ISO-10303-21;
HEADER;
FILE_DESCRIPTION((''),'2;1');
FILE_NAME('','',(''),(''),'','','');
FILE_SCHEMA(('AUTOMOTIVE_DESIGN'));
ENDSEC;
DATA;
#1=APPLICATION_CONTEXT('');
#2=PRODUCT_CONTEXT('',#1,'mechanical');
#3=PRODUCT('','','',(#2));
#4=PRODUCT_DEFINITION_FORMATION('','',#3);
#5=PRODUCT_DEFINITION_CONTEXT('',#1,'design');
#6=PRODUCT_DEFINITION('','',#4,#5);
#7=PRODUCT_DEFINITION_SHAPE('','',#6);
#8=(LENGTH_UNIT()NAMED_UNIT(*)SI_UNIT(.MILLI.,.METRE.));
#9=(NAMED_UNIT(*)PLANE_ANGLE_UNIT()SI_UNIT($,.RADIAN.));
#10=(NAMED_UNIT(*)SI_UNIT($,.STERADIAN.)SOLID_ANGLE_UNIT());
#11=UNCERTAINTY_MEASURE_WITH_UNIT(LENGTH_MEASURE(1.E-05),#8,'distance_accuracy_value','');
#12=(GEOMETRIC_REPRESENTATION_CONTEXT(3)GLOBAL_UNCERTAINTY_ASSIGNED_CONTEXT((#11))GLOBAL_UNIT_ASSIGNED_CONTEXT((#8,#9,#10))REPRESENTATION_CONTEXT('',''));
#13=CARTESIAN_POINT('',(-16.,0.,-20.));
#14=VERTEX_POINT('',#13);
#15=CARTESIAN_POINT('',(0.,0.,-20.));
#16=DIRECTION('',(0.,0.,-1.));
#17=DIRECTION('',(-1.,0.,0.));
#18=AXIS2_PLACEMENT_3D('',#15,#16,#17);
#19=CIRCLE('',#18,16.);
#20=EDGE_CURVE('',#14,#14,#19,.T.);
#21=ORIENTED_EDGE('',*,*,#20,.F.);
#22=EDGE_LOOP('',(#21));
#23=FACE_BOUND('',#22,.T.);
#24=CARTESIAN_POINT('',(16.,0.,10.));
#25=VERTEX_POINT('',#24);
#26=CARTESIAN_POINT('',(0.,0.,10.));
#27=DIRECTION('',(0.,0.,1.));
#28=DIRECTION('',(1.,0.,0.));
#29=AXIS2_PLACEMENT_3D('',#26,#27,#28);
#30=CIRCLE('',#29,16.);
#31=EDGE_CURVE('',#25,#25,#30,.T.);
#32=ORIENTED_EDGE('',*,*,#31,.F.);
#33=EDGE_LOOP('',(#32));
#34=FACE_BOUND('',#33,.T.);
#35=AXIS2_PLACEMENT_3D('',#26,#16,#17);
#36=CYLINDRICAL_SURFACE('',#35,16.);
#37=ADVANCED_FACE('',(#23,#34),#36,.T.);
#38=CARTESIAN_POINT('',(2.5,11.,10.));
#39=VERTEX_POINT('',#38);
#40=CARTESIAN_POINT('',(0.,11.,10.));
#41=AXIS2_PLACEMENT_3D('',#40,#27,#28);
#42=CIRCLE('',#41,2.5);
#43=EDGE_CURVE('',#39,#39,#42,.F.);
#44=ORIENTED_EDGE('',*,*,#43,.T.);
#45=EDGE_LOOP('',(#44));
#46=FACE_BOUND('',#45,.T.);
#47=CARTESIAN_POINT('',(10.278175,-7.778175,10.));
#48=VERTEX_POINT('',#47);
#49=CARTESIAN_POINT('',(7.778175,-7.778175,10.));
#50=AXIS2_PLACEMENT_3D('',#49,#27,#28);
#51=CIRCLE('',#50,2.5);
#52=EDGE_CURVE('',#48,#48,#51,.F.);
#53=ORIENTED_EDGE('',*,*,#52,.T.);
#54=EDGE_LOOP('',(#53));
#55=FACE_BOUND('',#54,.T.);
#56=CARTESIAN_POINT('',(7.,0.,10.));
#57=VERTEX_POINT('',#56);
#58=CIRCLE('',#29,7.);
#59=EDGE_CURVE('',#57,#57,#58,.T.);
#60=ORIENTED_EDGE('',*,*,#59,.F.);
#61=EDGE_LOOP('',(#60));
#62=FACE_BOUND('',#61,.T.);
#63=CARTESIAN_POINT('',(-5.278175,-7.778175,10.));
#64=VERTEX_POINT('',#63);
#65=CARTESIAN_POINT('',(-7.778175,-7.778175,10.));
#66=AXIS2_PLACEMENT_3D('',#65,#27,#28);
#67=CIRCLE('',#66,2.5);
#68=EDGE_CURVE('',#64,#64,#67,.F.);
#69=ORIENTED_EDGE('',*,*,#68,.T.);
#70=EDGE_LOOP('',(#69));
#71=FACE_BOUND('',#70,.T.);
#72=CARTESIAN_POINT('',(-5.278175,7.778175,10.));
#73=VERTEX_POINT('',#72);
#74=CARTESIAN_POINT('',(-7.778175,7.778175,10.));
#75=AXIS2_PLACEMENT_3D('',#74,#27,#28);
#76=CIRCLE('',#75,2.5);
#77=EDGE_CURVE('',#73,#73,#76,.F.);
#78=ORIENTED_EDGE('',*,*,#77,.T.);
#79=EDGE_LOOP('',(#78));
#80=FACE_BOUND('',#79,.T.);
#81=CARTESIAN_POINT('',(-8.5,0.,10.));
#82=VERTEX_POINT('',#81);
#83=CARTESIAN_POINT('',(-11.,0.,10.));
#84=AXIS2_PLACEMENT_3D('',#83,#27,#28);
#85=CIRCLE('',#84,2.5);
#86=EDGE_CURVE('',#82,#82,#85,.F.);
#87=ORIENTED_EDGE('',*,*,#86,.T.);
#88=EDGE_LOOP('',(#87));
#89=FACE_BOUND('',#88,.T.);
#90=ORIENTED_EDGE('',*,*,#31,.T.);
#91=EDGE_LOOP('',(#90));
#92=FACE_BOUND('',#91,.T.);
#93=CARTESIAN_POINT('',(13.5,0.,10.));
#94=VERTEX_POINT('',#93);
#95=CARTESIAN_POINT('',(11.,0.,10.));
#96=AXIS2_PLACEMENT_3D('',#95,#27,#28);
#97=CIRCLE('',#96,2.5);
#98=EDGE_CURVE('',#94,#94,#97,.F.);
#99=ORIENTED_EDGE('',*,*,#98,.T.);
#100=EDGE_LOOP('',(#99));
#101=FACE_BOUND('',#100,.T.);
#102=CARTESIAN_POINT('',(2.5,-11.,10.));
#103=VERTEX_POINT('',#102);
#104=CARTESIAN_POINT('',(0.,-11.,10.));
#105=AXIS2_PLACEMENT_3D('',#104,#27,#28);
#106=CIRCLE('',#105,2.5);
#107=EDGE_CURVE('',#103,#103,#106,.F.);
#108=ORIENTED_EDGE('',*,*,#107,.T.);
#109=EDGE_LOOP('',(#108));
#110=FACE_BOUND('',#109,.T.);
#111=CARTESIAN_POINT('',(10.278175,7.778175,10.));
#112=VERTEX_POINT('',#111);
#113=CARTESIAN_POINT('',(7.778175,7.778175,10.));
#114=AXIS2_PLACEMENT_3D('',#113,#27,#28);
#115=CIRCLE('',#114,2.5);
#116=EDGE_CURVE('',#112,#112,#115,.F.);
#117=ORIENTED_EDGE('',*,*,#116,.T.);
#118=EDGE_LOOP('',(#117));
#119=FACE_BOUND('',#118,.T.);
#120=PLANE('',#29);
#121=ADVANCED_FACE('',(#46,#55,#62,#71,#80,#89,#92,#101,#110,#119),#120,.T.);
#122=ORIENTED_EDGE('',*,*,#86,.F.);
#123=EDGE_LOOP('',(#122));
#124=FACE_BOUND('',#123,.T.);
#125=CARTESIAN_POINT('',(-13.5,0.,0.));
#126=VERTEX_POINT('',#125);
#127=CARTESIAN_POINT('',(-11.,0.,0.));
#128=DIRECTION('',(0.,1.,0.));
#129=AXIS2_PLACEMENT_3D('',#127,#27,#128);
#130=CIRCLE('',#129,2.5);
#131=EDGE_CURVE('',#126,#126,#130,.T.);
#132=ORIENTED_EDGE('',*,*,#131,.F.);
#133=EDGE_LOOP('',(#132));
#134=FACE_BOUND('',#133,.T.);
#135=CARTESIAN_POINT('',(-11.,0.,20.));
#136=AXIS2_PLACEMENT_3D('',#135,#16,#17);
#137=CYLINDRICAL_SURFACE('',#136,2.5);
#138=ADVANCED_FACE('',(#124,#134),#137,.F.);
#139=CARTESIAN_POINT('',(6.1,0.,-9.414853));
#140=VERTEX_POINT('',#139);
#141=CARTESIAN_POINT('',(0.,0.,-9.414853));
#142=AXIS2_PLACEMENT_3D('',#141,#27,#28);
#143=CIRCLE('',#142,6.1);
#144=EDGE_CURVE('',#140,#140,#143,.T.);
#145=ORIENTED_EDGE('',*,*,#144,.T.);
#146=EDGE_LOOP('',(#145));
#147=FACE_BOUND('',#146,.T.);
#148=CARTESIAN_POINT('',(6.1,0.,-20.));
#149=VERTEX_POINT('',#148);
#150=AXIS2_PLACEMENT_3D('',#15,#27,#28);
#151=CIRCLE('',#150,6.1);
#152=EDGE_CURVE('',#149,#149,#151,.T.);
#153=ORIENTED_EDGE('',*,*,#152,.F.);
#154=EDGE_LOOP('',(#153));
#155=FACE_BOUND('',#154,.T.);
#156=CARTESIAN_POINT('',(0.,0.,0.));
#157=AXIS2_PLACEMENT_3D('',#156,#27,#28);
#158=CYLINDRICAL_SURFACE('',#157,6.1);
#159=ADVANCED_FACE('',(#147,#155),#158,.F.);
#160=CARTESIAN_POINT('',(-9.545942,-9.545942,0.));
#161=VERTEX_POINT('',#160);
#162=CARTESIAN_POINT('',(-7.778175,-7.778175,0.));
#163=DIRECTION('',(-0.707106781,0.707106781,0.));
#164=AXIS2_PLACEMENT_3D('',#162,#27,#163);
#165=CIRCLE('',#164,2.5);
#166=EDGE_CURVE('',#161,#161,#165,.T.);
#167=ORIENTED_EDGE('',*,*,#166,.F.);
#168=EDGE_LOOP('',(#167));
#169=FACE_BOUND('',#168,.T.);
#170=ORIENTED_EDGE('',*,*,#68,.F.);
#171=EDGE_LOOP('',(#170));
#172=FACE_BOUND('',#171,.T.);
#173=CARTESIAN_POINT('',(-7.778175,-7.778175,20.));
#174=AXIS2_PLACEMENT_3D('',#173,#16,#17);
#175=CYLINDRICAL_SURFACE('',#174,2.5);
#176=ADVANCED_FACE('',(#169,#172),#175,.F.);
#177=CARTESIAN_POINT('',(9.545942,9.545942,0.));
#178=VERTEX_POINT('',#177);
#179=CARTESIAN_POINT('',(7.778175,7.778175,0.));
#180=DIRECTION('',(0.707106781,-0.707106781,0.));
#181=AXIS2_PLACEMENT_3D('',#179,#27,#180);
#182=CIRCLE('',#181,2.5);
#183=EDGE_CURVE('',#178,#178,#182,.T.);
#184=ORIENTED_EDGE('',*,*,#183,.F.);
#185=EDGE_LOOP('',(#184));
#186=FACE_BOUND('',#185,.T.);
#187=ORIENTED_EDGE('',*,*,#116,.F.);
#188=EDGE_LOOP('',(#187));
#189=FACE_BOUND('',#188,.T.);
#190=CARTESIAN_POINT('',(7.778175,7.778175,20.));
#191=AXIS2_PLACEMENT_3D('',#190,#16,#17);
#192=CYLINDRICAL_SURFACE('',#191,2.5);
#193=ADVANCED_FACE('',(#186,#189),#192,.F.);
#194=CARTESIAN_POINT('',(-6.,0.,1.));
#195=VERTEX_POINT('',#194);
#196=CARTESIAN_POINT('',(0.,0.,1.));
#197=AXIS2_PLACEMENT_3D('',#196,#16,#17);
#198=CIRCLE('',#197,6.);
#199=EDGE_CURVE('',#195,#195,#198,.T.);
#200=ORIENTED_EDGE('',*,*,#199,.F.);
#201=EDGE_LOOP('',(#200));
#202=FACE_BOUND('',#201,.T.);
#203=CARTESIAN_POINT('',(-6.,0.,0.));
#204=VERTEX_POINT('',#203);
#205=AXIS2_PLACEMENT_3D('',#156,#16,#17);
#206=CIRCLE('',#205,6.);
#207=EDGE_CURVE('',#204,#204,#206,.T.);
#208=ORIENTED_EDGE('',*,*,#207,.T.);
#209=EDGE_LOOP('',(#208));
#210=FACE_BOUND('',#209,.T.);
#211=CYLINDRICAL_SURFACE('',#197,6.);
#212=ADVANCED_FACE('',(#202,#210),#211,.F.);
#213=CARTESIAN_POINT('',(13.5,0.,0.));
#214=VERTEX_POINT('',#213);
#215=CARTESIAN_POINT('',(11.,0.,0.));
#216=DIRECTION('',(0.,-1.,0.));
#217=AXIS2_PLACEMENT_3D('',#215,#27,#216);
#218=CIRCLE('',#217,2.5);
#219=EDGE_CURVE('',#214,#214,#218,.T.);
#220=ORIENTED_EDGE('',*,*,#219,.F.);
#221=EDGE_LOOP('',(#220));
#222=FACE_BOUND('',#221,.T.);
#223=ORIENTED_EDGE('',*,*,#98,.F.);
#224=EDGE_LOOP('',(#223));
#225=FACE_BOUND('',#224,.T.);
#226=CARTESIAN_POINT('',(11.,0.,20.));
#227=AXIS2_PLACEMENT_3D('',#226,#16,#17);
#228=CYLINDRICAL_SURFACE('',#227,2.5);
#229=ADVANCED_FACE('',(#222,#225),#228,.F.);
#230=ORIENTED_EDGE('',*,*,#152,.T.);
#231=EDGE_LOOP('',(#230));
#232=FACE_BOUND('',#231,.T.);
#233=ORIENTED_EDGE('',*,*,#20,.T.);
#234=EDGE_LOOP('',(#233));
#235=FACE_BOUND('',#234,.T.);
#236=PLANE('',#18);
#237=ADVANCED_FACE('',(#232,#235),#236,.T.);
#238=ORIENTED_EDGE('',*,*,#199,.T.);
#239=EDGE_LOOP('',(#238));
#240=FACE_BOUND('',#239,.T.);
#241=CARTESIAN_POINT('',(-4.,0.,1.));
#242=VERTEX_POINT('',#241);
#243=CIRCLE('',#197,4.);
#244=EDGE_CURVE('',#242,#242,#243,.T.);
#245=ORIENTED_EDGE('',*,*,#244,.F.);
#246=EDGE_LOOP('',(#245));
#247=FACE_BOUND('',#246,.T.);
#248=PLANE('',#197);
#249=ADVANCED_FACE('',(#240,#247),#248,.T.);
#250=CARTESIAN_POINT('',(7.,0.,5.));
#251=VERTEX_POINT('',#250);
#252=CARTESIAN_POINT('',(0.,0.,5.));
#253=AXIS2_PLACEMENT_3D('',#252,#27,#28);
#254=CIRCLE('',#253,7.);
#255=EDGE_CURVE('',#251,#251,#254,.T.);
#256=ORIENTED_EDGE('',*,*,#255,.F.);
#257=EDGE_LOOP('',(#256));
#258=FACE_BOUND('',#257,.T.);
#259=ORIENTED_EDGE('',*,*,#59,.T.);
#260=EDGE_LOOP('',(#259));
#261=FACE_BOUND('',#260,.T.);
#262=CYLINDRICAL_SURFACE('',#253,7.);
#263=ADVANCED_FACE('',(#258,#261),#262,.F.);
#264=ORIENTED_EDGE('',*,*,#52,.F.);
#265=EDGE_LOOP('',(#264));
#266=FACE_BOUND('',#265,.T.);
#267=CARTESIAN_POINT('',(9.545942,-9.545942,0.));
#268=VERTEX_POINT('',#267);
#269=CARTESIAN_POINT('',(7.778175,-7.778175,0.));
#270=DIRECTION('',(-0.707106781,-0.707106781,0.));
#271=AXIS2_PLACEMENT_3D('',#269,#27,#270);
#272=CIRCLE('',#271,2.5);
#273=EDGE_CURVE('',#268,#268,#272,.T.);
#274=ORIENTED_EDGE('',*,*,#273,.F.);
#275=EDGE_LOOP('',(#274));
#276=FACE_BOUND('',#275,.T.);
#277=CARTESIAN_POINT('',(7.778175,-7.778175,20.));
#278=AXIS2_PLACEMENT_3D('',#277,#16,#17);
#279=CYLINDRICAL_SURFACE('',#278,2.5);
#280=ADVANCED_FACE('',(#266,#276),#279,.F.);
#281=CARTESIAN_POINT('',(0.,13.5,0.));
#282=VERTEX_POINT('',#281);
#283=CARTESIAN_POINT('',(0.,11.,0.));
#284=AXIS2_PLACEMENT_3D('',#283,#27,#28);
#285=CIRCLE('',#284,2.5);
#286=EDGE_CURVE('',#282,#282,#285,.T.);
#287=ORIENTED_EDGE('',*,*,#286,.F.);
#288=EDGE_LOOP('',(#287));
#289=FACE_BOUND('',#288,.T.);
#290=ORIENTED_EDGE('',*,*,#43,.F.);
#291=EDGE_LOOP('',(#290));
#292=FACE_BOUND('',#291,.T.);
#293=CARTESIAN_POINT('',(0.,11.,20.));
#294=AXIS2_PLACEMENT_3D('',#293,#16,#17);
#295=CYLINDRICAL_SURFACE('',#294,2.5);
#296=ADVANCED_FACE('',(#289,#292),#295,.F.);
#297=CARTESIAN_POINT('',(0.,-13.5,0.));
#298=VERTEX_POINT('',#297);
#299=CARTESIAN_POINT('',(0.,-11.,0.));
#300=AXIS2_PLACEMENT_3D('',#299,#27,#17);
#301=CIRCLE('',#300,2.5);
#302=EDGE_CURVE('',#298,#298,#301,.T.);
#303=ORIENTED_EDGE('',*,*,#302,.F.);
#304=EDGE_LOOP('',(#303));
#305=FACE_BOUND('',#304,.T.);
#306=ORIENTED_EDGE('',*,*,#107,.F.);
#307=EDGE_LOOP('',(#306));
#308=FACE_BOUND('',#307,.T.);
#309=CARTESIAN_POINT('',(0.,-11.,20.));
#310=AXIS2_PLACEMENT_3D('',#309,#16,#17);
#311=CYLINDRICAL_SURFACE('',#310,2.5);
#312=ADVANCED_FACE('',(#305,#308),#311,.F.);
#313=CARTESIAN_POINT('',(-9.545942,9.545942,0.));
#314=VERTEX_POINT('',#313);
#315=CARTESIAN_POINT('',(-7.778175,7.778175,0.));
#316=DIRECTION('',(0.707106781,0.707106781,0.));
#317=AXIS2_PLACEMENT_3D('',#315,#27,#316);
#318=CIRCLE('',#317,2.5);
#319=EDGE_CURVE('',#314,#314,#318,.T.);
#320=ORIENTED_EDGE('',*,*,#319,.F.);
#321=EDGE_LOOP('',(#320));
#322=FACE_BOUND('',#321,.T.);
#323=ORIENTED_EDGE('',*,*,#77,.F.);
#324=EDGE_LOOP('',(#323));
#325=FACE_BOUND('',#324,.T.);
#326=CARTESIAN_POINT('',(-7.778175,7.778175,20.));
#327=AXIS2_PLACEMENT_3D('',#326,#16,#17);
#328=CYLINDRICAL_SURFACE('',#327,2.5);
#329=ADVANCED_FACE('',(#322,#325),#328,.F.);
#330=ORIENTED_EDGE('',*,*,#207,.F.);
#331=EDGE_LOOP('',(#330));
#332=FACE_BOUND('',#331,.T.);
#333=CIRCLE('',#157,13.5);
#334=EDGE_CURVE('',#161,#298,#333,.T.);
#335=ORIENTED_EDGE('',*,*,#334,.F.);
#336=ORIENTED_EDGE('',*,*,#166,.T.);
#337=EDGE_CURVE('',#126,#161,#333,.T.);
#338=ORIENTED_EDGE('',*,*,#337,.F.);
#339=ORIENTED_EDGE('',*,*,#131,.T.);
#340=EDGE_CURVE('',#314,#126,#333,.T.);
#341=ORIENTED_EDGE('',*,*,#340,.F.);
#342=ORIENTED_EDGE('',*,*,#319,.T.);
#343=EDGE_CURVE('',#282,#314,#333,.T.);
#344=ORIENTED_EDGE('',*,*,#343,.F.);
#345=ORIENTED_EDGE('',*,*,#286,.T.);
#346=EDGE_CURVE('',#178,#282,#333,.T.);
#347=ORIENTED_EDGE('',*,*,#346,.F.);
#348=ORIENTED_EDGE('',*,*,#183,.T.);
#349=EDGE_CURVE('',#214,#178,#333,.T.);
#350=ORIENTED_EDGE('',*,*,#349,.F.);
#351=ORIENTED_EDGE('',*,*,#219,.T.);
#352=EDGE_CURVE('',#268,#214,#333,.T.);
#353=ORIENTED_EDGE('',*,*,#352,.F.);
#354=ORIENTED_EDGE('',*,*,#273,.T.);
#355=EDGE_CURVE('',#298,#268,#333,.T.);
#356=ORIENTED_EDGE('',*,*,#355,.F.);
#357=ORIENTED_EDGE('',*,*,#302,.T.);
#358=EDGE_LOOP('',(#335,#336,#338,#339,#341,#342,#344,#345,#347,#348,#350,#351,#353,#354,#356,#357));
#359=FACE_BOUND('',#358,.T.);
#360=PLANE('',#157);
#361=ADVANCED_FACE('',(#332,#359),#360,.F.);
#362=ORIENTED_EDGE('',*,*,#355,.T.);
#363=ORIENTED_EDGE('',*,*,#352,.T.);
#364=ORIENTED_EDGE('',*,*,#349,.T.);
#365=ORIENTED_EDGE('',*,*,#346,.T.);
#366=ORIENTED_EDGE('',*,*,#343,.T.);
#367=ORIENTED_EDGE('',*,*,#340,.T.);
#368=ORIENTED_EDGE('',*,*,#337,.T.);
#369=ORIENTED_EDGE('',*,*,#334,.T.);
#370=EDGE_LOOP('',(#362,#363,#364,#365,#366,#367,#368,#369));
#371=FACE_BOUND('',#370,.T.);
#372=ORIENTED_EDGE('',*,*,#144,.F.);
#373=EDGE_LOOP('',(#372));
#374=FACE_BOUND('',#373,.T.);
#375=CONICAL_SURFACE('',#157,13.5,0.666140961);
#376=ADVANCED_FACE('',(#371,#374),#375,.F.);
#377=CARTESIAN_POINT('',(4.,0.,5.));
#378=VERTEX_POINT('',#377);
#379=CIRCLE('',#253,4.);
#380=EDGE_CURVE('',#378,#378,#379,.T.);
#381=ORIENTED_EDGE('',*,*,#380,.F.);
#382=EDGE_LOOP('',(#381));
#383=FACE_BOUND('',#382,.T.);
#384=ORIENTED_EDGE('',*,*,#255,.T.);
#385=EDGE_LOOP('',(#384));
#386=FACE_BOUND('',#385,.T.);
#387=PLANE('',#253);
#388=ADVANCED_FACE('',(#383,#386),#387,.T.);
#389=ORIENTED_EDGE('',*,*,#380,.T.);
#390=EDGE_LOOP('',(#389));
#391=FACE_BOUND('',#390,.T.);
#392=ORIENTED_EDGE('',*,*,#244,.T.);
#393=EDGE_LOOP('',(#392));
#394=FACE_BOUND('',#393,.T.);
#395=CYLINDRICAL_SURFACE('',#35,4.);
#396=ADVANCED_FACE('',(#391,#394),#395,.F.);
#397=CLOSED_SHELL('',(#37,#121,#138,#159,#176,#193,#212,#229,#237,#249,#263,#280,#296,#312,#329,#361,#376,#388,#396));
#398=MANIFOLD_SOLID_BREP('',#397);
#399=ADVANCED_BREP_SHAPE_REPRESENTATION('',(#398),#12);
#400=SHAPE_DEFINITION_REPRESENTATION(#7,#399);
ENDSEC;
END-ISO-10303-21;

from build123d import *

# Parameters (mm, degrees)
SKETCH_1_R               = 16
SKETCH_1_R_2             = 4
EXTRUDE_1_DEPTH          = 10
SKETCH_2_R               = 2.5
CUT_EXTRUDE_1_DEPTH      = 20
PATTERN_CIRCULAR_1_COUNT = 8
SKETCH_3_R               = 7
CUT_EXTRUDE_2_DEPTH      = 5
SKETCH_4_R               = 6
CUT_EXTRUDE_3_DEPTH      = 1
EXTRUDE_START            = 20
SKETCH_5_R               = 16
SKETCH_5_R_2             = 14
EXTRUDE_2_DEPTH          = 20


with BuildPart() as part:
    # 스케치1 → 보스-돌출1 (new body)
    with BuildSketch(Plane.XY):
        Circle(SKETCH_1_R)
        Circle(SKETCH_1_R_2, mode=Mode.SUBTRACT)
    extrude(amount=EXTRUDE_1_DEPTH)

    # 스케치2 → 컷-돌출1 (cut)
    with BuildSketch(Plane.XY):
        with Locations((0, 11)):
            Circle(SKETCH_2_R)
    cut_extrude_1 = extrude(amount=CUT_EXTRUDE_1_DEPTH, mode=Mode.SUBTRACT)

    # 원형 패턴1: 컷-돌출1 ×8 about axis
    pattern_circular_1_axis = Axis((0, 0, 0), (0, 0, 1))
    for i in range(1, PATTERN_CIRCULAR_1_COUNT):
        add(cut_extrude_1.rotate(pattern_circular_1_axis, i * 360 / PATTERN_CIRCULAR_1_COUNT), mode=Mode.SUBTRACT)

    # 스케치3 → 컷-돌출2 (cut)
    with BuildSketch(Plane.XY.offset(10)):
        Circle(SKETCH_3_R)
    extrude(amount=-CUT_EXTRUDE_2_DEPTH, mode=Mode.SUBTRACT)

    # 스케치4 → 컷-돌출3 (cut)
    with BuildSketch(Plane(origin=(0, 0, 0), x_dir=(-1, 0, 0), z_dir=(0, 0, -1))):
        Circle(SKETCH_4_R)
    extrude(amount=-CUT_EXTRUDE_3_DEPTH, mode=Mode.SUBTRACT)

    # 스케치5 → 보스-돌출2 (add)
    with BuildSketch(Plane(origin=(0, 0, 0), x_dir=(-1, 0, 0), z_dir=(0, 0, -1)).offset(EXTRUDE_START)):
        Circle(SKETCH_5_R)
        Circle(SKETCH_5_R_2, mode=Mode.SUBTRACT)
    extrude(amount=-EXTRUDE_2_DEPTH)

    # 스케치6 → 회전1 (revolve)
    with BuildSketch(Plane(origin=(0, 0, 0), x_dir=(0, 0, -1), z_dir=(1, 0, 0)), mode=Mode.PRIVATE) as revolve_1_sk:
        Polygon((20, 14), (20, 6.1), (9.414853381, 6.1), (0, 13.5), (0, 14), align=None)
    revolve(revolve_1_sk.sketch.rotate(Axis((0, 0, 0), (0, 0, -1)), 270), axis=Axis((0, 0, 0), (0, 0, -1)))


solid = part.part
